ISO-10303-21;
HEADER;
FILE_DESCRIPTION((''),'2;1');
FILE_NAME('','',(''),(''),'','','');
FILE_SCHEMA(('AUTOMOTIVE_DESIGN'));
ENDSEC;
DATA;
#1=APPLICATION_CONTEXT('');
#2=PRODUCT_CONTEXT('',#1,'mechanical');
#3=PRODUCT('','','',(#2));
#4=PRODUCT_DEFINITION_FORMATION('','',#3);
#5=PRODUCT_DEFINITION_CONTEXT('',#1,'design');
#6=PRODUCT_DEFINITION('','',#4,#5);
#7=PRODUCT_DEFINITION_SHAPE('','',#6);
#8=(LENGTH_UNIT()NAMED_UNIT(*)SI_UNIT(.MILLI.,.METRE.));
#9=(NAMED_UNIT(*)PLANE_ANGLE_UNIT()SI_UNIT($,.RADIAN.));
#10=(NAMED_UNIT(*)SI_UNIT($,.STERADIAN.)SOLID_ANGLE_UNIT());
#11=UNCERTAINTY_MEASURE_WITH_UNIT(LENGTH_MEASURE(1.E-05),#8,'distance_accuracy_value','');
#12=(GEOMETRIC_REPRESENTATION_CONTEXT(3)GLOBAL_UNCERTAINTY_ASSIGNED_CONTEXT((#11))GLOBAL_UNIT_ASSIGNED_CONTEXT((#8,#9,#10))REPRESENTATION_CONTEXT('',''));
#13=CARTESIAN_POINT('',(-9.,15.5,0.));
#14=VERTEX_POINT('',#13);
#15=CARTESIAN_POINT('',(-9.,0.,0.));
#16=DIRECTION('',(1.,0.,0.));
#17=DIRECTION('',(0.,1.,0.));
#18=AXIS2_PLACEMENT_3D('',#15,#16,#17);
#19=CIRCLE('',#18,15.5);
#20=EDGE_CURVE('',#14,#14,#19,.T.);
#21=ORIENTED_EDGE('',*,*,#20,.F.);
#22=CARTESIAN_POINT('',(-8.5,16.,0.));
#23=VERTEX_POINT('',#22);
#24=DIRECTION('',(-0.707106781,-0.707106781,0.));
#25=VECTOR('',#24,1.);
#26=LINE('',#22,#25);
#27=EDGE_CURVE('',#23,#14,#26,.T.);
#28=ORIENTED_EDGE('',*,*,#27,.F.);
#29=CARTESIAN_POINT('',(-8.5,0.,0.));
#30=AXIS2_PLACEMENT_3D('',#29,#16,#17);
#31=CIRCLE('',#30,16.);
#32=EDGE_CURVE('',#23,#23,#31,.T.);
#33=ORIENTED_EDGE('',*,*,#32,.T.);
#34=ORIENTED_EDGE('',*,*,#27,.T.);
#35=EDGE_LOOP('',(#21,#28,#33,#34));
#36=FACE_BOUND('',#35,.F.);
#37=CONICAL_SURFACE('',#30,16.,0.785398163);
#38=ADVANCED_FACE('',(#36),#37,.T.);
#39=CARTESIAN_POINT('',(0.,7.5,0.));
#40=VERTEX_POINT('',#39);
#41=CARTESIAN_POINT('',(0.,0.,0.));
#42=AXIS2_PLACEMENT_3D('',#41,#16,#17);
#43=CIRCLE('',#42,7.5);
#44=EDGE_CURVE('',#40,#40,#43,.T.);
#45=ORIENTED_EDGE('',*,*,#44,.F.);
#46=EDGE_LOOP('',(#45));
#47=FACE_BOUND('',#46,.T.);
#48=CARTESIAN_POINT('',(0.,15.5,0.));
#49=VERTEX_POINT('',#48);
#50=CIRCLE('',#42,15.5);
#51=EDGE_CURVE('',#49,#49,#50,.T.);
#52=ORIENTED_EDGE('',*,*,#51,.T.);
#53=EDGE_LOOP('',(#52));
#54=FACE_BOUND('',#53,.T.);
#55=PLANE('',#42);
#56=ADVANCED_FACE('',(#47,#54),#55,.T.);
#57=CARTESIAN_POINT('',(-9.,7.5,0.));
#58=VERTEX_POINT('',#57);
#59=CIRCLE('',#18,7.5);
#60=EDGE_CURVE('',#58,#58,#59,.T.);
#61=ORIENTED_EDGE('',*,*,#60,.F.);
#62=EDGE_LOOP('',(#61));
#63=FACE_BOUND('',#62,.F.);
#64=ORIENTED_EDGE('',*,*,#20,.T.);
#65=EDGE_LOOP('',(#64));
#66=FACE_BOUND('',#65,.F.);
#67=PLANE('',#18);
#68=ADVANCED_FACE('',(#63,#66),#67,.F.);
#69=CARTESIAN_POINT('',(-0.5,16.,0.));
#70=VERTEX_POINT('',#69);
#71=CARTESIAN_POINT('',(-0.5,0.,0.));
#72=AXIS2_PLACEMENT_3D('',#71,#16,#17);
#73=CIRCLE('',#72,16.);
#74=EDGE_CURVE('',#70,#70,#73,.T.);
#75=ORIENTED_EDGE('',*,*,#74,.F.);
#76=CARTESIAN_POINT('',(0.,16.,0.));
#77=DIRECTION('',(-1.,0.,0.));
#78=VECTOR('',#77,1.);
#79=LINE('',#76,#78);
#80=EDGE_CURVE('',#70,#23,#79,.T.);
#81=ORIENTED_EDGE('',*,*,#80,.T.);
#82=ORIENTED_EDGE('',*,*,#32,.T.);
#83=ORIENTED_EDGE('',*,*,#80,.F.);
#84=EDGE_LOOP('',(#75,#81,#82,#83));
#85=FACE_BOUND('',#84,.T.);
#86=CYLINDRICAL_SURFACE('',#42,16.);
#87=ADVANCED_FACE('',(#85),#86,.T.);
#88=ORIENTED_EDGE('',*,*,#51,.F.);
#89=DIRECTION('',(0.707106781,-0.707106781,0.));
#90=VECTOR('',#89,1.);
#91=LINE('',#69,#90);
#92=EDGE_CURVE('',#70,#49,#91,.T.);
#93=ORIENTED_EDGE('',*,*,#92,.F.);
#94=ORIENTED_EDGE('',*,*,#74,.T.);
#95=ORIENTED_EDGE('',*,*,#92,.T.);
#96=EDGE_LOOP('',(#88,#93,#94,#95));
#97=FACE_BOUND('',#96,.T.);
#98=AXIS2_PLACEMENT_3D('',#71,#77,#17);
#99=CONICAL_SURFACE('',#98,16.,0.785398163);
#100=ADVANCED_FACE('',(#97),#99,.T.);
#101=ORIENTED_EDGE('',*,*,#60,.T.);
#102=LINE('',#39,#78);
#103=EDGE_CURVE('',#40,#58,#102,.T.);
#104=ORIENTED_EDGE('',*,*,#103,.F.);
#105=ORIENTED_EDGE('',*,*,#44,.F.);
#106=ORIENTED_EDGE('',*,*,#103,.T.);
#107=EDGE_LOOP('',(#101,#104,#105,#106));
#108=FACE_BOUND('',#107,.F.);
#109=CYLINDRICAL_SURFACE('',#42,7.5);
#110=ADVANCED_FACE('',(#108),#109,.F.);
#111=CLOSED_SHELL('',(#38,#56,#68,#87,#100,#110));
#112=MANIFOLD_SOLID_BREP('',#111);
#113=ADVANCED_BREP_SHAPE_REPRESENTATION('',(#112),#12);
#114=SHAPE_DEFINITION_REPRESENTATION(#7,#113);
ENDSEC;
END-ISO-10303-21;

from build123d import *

# Parameters (mm, degrees)
F0_R     = 16
F1_DEPTH = 9
F2_R     = 7.5
F3_DEPTH = 9.001
F4_SIZE  = 0.5


with BuildPart() as f1:
    # F0 (on Right) → F1 (new body)
    with BuildSketch(Plane.YZ):
        Circle(F0_R)
    extrude(amount=-F1_DEPTH)

    # F2 (on face) → F3 (cut, through all)
    with BuildSketch(Plane.YZ):
        Circle(F2_R)
    extrude(amount=-F3_DEPTH, mode=Mode.SUBTRACT)

    # F4
    f4_edges = [f1.edges().sort_by_distance(p)[0] for p in [
        (-4.5, 16, 0),
        (0, -16, 0),
        (-9, -16, 0),
    ]]
    chamfer(f4_edges, length=F4_SIZE)


solid = f1.part
